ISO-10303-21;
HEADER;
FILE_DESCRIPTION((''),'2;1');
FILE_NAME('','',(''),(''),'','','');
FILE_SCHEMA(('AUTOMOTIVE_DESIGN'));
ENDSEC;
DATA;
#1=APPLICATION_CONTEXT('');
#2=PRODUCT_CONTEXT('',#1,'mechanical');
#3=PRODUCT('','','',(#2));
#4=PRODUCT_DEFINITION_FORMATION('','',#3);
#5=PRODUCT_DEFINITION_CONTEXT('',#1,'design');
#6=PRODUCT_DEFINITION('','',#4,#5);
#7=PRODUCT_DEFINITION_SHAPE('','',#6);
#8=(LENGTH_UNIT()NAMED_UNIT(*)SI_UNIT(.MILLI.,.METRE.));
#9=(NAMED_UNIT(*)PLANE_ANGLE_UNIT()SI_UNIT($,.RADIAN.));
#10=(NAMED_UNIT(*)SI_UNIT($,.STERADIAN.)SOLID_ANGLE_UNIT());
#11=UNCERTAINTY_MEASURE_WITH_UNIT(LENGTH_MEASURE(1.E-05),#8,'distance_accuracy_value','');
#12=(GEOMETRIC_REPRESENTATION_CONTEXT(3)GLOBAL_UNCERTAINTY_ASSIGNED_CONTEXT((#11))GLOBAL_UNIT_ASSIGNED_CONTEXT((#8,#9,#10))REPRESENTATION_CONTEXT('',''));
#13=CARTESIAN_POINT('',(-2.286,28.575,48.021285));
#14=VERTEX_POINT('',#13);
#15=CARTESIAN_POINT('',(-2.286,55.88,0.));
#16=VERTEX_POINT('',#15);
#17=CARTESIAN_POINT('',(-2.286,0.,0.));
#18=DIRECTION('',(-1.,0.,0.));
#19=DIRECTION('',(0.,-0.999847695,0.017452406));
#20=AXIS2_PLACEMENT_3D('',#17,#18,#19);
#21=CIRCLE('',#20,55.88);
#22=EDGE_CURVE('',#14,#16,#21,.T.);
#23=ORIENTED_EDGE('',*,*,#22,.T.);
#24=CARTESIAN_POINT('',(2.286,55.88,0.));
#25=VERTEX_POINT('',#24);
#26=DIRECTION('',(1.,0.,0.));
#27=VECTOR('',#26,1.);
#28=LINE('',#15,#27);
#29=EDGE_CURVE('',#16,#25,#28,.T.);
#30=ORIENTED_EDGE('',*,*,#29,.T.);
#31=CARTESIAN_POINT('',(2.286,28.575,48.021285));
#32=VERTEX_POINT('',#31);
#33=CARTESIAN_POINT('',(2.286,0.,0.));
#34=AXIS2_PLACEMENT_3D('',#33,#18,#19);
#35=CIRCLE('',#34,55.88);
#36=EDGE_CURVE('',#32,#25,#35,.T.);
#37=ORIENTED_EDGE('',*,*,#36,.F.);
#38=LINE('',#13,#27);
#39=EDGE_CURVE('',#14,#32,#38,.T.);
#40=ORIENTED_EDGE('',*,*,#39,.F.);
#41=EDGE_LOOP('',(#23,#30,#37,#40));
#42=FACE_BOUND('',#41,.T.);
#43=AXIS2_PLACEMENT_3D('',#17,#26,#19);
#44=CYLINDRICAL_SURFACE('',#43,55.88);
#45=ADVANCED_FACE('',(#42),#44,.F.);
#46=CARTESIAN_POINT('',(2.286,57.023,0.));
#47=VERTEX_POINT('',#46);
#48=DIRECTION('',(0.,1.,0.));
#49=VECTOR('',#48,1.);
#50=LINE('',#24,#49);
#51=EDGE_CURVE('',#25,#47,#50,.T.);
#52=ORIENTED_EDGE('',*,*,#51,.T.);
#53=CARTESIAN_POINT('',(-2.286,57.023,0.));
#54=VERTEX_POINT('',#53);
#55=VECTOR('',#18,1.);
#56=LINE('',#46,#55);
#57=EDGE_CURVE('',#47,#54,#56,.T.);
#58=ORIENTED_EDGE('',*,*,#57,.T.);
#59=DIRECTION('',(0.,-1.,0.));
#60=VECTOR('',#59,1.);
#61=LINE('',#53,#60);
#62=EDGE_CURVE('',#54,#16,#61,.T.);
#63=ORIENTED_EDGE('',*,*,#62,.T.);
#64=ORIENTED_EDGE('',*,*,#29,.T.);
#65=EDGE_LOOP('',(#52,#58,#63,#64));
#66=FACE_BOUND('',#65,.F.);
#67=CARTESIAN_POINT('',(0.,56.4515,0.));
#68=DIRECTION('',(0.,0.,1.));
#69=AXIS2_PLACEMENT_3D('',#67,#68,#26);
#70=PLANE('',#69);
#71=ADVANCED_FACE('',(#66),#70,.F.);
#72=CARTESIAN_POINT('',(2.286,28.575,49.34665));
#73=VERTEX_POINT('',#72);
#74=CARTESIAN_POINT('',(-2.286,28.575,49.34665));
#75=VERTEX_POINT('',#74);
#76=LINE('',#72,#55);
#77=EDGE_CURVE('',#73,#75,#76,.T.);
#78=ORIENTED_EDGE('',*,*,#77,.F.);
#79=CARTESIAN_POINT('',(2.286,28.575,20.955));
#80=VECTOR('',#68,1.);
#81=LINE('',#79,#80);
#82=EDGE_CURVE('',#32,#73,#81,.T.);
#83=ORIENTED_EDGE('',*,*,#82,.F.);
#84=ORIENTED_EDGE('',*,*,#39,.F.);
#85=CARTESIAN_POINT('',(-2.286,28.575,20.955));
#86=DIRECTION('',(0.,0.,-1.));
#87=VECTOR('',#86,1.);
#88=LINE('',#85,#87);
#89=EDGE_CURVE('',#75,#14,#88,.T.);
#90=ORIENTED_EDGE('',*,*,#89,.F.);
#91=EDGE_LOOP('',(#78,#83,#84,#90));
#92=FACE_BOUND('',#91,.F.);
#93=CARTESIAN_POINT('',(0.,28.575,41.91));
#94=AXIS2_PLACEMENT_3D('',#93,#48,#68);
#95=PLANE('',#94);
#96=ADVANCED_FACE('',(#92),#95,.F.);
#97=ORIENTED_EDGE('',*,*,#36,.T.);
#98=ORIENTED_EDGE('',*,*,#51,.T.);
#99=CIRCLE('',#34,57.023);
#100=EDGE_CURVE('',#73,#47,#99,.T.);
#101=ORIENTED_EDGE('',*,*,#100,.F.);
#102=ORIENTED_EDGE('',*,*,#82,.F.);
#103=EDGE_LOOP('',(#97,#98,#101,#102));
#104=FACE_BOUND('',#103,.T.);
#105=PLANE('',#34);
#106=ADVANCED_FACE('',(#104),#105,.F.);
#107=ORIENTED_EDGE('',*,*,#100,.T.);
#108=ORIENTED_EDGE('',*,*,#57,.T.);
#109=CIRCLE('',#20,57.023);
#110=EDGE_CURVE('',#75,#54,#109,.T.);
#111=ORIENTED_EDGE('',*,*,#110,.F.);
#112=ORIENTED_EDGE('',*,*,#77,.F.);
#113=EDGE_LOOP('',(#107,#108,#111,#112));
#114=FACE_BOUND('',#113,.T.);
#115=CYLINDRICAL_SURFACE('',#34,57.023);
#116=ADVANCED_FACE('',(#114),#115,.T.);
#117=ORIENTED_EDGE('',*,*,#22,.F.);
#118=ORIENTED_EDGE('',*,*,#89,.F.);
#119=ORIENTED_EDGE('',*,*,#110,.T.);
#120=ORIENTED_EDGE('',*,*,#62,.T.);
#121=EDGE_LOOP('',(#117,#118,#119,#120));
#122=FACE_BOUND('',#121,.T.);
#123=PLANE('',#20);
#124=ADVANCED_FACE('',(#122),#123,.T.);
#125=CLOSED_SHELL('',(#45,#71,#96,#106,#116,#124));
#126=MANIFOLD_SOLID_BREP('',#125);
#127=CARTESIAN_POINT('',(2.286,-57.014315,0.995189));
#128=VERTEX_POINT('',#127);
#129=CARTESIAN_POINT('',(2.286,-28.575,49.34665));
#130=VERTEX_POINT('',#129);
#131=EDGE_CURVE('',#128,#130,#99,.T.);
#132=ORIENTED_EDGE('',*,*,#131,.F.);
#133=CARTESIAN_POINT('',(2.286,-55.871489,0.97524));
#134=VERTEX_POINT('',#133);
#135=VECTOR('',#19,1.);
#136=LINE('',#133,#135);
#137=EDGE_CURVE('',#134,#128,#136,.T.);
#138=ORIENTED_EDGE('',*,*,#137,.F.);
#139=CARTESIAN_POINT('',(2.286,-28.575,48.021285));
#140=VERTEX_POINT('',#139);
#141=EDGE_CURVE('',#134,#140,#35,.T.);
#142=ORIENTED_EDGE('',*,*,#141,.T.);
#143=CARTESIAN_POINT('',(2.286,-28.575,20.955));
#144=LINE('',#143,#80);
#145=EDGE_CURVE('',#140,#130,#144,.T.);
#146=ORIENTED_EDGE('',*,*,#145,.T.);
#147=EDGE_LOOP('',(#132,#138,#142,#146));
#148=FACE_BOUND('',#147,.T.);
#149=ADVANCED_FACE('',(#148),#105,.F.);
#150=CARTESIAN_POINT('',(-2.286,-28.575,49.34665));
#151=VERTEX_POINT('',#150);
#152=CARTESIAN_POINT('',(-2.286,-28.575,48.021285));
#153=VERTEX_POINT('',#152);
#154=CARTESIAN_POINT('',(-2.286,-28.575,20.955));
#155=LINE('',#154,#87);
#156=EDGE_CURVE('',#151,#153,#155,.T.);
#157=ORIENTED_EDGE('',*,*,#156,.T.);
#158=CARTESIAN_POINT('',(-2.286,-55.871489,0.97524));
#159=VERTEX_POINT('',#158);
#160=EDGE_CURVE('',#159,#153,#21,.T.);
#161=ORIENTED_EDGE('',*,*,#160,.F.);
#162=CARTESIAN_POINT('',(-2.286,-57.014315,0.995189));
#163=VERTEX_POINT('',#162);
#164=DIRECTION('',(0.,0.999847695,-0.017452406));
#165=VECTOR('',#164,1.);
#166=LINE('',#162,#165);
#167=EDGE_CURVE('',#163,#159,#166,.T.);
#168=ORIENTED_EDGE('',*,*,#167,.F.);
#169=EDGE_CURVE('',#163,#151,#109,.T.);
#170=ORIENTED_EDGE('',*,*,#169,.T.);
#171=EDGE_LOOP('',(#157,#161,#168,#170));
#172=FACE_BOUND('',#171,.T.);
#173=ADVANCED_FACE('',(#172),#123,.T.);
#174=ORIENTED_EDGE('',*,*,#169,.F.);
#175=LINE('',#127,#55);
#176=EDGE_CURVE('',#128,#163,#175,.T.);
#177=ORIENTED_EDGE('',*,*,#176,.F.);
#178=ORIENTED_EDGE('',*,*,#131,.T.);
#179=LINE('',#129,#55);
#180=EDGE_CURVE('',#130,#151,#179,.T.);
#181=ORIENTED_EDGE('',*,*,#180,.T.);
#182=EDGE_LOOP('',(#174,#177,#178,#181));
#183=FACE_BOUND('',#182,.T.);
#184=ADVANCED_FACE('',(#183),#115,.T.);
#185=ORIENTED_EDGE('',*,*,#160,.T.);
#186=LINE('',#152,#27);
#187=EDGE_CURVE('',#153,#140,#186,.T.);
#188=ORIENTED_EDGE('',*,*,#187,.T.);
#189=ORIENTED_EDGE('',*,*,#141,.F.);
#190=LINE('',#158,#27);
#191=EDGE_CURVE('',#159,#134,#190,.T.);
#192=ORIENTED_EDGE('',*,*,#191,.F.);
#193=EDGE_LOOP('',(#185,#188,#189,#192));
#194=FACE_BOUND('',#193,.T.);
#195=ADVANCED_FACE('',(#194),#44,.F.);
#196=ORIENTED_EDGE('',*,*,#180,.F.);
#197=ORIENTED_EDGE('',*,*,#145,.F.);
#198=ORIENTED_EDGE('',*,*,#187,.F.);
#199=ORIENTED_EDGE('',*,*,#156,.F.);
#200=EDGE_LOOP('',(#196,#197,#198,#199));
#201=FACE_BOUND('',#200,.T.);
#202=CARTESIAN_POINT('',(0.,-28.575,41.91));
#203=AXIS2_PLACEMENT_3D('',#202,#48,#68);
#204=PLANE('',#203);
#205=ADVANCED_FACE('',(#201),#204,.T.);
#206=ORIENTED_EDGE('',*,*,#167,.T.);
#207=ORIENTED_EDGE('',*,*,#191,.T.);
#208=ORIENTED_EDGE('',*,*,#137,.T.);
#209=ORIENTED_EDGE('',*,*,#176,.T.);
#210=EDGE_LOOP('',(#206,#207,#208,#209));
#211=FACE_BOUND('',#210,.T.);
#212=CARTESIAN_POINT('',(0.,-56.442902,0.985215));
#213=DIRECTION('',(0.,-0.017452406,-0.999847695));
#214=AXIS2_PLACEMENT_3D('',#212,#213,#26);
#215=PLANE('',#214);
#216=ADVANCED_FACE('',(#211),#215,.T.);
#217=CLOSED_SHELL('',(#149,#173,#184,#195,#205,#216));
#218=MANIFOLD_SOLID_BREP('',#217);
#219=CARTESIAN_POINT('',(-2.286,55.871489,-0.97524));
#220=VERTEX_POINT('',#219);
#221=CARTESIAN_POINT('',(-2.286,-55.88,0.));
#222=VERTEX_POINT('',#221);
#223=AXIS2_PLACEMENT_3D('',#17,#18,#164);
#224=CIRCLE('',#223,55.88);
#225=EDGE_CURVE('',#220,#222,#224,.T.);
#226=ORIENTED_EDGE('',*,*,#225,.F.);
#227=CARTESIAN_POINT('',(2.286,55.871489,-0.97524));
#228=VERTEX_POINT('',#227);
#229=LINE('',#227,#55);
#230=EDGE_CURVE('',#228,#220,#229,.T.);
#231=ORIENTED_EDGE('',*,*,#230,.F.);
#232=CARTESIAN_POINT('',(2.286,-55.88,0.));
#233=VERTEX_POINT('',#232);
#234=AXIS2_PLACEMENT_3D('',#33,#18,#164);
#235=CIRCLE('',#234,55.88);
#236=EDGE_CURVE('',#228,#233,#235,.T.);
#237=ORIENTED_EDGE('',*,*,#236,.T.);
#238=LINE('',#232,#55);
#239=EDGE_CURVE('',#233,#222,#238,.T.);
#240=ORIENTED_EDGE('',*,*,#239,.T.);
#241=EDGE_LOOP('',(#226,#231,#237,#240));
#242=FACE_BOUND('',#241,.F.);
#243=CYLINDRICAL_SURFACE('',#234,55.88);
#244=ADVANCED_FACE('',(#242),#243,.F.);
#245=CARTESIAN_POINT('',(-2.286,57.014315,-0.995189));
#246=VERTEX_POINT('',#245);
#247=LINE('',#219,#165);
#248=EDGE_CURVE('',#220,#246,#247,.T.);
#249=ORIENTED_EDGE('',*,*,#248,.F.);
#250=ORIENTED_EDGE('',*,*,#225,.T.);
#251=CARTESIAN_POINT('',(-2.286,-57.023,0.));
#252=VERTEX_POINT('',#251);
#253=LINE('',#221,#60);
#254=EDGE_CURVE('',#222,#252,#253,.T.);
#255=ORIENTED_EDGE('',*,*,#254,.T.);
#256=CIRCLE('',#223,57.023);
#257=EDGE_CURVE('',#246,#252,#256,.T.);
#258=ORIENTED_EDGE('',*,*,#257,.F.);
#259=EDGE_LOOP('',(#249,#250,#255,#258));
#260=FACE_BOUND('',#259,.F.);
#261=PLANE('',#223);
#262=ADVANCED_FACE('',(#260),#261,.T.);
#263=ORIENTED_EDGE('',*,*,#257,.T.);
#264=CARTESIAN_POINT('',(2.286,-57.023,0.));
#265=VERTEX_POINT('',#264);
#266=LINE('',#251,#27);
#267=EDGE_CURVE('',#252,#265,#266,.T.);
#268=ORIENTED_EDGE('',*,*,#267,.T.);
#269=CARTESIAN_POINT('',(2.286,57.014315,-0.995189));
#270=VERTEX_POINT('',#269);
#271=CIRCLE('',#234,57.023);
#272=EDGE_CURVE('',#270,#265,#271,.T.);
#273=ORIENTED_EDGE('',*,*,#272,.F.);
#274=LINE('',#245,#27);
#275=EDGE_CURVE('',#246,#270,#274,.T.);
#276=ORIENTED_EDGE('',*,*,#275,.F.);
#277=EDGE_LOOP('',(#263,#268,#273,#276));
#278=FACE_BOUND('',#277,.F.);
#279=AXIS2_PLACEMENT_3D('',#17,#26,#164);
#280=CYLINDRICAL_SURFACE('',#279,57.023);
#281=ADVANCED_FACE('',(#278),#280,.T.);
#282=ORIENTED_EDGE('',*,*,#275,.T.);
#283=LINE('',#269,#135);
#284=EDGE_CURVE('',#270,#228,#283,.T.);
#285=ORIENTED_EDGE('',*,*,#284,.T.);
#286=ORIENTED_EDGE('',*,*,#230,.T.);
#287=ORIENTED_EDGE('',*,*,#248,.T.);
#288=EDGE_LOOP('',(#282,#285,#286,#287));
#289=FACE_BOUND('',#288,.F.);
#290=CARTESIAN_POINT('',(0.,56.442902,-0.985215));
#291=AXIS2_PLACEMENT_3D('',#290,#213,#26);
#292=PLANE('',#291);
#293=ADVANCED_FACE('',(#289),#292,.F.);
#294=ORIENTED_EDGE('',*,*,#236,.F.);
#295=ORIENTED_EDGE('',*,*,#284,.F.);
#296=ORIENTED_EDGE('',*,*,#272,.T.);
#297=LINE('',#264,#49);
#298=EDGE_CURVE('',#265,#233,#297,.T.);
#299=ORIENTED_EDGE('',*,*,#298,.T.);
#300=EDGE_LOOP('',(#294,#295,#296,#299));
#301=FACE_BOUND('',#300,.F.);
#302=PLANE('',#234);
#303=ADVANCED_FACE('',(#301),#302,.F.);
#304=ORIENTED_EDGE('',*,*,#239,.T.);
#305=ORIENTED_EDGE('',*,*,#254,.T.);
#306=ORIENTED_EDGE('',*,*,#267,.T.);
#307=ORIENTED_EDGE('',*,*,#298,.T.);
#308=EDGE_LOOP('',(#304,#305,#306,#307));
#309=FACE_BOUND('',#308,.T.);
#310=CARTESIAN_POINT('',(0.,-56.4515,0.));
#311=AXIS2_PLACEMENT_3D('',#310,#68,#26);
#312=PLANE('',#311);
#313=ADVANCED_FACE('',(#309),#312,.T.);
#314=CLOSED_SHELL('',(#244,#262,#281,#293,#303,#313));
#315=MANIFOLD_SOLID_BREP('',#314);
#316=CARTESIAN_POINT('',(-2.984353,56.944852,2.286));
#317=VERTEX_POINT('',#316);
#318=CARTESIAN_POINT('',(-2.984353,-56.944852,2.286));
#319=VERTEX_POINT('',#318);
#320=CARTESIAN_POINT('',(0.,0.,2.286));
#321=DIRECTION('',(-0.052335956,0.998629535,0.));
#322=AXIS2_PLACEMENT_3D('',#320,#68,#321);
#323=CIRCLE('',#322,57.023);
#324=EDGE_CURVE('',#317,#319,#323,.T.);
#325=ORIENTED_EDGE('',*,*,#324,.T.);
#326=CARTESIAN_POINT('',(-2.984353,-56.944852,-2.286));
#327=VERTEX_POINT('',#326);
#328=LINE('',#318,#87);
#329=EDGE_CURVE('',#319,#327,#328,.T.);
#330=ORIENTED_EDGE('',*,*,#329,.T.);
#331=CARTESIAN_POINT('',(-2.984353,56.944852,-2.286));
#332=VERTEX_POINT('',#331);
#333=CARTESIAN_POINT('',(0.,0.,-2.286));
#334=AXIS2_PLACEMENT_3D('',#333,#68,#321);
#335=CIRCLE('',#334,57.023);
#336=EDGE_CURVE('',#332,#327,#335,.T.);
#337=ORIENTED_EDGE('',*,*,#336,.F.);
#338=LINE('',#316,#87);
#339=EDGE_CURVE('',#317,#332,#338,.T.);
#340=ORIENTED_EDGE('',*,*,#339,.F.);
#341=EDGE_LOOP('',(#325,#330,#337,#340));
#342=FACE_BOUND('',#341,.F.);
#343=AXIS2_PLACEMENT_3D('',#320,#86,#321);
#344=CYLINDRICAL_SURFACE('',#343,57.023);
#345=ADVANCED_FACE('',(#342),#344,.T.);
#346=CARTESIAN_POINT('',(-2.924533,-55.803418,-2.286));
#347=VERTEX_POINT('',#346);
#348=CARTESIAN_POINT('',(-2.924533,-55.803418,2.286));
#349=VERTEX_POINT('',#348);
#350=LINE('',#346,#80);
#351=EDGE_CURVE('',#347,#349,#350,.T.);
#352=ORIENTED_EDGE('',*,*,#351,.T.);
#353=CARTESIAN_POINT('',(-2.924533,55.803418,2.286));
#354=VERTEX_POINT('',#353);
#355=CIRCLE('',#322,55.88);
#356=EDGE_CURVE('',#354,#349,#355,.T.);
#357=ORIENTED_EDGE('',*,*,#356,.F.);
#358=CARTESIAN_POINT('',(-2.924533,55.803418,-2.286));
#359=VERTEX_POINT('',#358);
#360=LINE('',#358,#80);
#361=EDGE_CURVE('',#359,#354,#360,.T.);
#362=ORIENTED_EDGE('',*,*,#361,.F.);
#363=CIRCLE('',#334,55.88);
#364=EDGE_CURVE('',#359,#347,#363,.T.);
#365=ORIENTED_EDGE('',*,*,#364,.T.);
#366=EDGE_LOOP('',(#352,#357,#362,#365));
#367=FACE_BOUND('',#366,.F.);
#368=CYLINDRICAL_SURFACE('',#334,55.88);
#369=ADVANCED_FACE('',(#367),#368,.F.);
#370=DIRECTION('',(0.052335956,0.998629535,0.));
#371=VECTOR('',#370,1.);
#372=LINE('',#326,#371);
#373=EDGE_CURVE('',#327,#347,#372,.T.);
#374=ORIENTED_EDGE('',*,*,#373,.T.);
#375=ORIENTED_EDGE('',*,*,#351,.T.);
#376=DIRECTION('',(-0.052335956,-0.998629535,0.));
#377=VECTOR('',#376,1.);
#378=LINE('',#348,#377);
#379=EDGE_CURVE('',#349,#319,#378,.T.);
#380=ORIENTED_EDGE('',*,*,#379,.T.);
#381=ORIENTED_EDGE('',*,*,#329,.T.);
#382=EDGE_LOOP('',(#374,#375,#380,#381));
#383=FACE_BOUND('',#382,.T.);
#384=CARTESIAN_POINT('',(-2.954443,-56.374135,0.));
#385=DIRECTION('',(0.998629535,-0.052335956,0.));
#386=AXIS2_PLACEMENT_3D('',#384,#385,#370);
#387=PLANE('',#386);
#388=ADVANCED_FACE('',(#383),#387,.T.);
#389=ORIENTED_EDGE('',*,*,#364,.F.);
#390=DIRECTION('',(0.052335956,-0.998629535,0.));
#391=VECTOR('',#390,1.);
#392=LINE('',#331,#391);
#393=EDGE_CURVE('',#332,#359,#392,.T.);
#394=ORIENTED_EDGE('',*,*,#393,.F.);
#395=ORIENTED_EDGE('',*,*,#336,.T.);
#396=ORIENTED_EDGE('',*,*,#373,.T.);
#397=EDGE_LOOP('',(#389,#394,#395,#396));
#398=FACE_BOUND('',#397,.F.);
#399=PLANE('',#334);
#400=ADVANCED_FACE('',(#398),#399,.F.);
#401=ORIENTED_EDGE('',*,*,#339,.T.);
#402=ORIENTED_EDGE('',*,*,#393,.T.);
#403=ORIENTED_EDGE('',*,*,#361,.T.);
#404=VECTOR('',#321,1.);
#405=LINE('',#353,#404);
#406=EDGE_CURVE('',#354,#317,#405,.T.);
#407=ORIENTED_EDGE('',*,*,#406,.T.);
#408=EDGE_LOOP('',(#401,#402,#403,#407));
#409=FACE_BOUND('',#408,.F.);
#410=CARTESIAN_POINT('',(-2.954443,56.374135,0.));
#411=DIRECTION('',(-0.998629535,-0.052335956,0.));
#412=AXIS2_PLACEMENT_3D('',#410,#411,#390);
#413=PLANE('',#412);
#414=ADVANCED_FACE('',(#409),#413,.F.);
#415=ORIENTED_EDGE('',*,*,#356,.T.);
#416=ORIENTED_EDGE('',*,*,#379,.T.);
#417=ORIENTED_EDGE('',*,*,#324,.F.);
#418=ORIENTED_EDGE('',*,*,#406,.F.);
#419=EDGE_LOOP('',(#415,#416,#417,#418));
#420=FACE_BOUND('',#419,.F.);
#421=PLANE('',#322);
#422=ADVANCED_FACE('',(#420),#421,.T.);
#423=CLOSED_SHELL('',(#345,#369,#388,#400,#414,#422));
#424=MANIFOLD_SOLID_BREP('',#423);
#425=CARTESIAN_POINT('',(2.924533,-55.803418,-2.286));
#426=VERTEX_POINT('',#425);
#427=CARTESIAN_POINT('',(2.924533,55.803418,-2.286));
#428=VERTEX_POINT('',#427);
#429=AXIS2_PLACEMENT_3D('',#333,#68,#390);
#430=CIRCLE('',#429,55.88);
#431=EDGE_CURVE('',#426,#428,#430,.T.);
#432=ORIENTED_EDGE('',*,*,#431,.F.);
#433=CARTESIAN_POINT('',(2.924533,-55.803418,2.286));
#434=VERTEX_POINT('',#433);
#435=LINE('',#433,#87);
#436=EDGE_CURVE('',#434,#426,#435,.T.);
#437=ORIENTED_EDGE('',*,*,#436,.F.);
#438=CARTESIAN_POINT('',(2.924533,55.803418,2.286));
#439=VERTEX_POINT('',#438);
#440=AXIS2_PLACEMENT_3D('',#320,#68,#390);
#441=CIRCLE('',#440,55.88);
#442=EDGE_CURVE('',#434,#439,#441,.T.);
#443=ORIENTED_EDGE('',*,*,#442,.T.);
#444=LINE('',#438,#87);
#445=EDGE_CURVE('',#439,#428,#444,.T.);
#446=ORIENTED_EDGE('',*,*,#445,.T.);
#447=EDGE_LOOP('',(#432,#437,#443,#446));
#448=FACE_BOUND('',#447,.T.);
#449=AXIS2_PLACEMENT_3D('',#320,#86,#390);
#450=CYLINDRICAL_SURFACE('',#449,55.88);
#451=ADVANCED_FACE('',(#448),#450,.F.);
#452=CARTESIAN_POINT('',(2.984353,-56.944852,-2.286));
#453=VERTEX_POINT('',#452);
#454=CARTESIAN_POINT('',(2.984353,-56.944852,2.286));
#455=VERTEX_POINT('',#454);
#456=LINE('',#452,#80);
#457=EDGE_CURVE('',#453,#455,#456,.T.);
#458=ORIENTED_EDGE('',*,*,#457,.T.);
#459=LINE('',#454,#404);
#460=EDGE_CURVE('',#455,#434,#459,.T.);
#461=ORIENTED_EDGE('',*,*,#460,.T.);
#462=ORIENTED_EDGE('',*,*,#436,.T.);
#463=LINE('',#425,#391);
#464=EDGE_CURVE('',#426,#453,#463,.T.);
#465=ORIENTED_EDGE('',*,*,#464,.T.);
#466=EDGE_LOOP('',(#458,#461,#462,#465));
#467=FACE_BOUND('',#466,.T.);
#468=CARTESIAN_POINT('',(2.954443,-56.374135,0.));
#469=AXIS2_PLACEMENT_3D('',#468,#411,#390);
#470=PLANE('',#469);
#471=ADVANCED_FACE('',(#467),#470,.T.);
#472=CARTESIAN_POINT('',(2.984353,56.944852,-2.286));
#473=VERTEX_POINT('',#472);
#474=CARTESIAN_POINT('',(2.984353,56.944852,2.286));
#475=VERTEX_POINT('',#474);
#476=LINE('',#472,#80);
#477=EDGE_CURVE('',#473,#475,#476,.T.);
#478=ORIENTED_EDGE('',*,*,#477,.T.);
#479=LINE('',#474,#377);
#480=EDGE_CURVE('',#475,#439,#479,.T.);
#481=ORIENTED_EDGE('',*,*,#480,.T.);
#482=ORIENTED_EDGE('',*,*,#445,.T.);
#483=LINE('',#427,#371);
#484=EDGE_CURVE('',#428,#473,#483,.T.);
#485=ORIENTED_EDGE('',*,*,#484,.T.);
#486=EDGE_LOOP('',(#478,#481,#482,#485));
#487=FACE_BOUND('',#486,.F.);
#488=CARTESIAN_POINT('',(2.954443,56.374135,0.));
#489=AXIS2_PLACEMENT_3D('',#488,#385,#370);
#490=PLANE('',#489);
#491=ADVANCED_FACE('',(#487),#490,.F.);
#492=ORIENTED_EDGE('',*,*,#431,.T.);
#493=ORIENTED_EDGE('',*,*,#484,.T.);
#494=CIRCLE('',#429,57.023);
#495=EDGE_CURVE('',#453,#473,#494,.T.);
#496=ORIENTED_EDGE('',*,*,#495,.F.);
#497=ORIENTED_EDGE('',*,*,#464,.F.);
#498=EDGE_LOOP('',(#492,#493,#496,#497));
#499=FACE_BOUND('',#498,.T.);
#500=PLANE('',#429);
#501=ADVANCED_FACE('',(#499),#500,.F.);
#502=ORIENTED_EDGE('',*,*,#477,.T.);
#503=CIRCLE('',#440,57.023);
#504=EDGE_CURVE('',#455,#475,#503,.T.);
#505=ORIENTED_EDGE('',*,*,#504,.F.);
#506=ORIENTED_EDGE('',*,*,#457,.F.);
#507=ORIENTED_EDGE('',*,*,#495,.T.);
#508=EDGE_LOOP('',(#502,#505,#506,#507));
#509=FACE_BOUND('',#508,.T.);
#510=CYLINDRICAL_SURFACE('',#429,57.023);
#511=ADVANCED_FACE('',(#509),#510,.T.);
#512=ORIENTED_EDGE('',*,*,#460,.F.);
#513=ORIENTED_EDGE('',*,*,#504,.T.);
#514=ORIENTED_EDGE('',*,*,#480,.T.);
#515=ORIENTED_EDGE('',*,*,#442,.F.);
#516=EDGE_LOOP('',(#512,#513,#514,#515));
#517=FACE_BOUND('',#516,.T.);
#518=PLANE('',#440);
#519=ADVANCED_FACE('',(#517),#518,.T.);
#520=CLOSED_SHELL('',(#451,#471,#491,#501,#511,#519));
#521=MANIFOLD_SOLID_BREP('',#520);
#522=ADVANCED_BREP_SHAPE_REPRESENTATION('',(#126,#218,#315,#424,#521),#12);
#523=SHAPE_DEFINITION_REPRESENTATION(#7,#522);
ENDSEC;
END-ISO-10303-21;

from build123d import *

# Parameters (mm, degrees)
F1_ANGLE_BACK = 89
F1_ANGLE      = 179
F2_ANGLE_BACK = 87
F2_ANGLE      = 174
F3_W          = 28.575
F3_H          = 19.05
F4_DEPTH      = 12.7


with BuildPart() as f1:
    # F0 (on Front) → F1 (revolve)
    with BuildSketch(Plane.XZ, mode=Mode.PRIVATE) as f1_sk:
        Polygon((2.286, -55.88), (0, -55.88), (-2.286, -55.88), (-2.286, -57.023), (2.286, -57.023), align=None)
    revolve(f1_sk.sketch.rotate(Axis((-27.94, 0, 0), (-1, 0, 0)), -F1_ANGLE_BACK), axis=Axis((-27.94, 0, 0), (-1, 0, 0)), revolution_arc=F1_ANGLE)


with BuildPart() as f1b:
    # F0 (on Front) → F1, piece 2 (revolve)
    with BuildSketch(Plane.XZ, mode=Mode.PRIVATE) as f1_sk:
        Polygon((-2.286, 55.88), (0, 55.88), (2.286, 55.88), (2.286, 57.023), (-2.286, 57.023), align=None)
    revolve(f1_sk.sketch.rotate(Axis((-27.94, 0, 0), (-1, 0, 0)), -F1_ANGLE_BACK), axis=Axis((-27.94, 0, 0), (-1, 0, 0)), revolution_arc=F1_ANGLE)

    # F3 (on Right) → F4 (cut, symmetric)
    with BuildSketch(Plane.YZ):
        with Locations((-14.2875, 51.435)):
            Rectangle(F3_W, F3_H)
        with Locations((14.2875, 51.435)):
            Rectangle(F3_W, F3_H)
    extrude(amount=F4_DEPTH, both=True, mode=Mode.SUBTRACT)


with BuildPart() as f2:
    # F0 (on Front) → F2 (revolve)
    with BuildSketch(Plane.XZ, mode=Mode.PRIVATE) as f2_sk:
        Polygon((-55.88, -2.286), (-55.88, 0), (-55.88, 2.286), (-57.023, 2.286), (-57.023, -2.286), align=None)
    revolve(f2_sk.sketch.rotate(Axis((0, 0, 27.94), (0, 0, 1)), -F2_ANGLE_BACK), axis=Axis((0, 0, 27.94), (0, 0, 1)), revolution_arc=F2_ANGLE)


with BuildPart() as f2b:
    # F0 (on Front) → F2, piece 2 (revolve)
    with BuildSketch(Plane.XZ, mode=Mode.PRIVATE) as f2_sk:
        Polygon((55.88, 2.286), (55.88, 0), (55.88, -2.286), (57.023, -2.286), (57.023, 2.286), align=None)
    revolve(f2_sk.sketch.rotate(Axis((0, 0, 27.94), (0, 0, 1)), -F2_ANGLE_BACK), axis=Axis((0, 0, 27.94), (0, 0, 1)), revolution_arc=F2_ANGLE)


solid = Compound([f1.part, f1b.part, f2.part, f2b.part])
